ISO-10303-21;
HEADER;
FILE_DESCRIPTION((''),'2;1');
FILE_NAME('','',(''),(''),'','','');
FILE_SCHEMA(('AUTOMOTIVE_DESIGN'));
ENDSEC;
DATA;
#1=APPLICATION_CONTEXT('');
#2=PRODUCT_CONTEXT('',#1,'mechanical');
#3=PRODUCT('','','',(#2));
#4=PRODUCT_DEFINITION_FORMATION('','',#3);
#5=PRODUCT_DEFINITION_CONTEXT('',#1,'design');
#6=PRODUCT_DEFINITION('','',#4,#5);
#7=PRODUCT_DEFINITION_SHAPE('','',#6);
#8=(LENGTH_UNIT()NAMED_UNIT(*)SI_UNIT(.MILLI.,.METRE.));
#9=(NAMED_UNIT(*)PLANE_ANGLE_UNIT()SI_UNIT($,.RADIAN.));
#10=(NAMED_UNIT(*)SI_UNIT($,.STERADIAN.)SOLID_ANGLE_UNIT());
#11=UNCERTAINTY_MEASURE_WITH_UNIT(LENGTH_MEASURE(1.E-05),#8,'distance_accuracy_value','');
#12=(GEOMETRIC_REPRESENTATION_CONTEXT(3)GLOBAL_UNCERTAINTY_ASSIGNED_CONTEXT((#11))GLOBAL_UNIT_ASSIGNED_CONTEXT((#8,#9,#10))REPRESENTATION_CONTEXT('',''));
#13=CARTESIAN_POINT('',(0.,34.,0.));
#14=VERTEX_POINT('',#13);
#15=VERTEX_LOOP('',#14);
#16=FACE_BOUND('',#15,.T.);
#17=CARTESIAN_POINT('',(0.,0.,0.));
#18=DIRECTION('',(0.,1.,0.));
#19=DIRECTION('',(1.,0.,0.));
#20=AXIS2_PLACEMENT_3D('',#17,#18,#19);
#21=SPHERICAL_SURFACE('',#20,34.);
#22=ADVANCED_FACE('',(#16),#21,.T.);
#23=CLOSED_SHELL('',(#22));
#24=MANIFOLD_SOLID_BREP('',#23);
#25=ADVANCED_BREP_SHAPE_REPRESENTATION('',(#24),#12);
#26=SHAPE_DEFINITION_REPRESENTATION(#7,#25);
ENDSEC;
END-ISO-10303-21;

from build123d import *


with BuildPart() as part:
    # 草图1 → 旋转1 (revolve)
    with BuildSketch(Plane.XY):
        with BuildLine():
            Line((0, 34), (0, -34))
            ThreePointArc((0, -34), (-34, 0), (0, 34))
        make_face()
    revolve(axis=Axis((0, 34, 0), (0, -1, 0)))


solid = part.part
